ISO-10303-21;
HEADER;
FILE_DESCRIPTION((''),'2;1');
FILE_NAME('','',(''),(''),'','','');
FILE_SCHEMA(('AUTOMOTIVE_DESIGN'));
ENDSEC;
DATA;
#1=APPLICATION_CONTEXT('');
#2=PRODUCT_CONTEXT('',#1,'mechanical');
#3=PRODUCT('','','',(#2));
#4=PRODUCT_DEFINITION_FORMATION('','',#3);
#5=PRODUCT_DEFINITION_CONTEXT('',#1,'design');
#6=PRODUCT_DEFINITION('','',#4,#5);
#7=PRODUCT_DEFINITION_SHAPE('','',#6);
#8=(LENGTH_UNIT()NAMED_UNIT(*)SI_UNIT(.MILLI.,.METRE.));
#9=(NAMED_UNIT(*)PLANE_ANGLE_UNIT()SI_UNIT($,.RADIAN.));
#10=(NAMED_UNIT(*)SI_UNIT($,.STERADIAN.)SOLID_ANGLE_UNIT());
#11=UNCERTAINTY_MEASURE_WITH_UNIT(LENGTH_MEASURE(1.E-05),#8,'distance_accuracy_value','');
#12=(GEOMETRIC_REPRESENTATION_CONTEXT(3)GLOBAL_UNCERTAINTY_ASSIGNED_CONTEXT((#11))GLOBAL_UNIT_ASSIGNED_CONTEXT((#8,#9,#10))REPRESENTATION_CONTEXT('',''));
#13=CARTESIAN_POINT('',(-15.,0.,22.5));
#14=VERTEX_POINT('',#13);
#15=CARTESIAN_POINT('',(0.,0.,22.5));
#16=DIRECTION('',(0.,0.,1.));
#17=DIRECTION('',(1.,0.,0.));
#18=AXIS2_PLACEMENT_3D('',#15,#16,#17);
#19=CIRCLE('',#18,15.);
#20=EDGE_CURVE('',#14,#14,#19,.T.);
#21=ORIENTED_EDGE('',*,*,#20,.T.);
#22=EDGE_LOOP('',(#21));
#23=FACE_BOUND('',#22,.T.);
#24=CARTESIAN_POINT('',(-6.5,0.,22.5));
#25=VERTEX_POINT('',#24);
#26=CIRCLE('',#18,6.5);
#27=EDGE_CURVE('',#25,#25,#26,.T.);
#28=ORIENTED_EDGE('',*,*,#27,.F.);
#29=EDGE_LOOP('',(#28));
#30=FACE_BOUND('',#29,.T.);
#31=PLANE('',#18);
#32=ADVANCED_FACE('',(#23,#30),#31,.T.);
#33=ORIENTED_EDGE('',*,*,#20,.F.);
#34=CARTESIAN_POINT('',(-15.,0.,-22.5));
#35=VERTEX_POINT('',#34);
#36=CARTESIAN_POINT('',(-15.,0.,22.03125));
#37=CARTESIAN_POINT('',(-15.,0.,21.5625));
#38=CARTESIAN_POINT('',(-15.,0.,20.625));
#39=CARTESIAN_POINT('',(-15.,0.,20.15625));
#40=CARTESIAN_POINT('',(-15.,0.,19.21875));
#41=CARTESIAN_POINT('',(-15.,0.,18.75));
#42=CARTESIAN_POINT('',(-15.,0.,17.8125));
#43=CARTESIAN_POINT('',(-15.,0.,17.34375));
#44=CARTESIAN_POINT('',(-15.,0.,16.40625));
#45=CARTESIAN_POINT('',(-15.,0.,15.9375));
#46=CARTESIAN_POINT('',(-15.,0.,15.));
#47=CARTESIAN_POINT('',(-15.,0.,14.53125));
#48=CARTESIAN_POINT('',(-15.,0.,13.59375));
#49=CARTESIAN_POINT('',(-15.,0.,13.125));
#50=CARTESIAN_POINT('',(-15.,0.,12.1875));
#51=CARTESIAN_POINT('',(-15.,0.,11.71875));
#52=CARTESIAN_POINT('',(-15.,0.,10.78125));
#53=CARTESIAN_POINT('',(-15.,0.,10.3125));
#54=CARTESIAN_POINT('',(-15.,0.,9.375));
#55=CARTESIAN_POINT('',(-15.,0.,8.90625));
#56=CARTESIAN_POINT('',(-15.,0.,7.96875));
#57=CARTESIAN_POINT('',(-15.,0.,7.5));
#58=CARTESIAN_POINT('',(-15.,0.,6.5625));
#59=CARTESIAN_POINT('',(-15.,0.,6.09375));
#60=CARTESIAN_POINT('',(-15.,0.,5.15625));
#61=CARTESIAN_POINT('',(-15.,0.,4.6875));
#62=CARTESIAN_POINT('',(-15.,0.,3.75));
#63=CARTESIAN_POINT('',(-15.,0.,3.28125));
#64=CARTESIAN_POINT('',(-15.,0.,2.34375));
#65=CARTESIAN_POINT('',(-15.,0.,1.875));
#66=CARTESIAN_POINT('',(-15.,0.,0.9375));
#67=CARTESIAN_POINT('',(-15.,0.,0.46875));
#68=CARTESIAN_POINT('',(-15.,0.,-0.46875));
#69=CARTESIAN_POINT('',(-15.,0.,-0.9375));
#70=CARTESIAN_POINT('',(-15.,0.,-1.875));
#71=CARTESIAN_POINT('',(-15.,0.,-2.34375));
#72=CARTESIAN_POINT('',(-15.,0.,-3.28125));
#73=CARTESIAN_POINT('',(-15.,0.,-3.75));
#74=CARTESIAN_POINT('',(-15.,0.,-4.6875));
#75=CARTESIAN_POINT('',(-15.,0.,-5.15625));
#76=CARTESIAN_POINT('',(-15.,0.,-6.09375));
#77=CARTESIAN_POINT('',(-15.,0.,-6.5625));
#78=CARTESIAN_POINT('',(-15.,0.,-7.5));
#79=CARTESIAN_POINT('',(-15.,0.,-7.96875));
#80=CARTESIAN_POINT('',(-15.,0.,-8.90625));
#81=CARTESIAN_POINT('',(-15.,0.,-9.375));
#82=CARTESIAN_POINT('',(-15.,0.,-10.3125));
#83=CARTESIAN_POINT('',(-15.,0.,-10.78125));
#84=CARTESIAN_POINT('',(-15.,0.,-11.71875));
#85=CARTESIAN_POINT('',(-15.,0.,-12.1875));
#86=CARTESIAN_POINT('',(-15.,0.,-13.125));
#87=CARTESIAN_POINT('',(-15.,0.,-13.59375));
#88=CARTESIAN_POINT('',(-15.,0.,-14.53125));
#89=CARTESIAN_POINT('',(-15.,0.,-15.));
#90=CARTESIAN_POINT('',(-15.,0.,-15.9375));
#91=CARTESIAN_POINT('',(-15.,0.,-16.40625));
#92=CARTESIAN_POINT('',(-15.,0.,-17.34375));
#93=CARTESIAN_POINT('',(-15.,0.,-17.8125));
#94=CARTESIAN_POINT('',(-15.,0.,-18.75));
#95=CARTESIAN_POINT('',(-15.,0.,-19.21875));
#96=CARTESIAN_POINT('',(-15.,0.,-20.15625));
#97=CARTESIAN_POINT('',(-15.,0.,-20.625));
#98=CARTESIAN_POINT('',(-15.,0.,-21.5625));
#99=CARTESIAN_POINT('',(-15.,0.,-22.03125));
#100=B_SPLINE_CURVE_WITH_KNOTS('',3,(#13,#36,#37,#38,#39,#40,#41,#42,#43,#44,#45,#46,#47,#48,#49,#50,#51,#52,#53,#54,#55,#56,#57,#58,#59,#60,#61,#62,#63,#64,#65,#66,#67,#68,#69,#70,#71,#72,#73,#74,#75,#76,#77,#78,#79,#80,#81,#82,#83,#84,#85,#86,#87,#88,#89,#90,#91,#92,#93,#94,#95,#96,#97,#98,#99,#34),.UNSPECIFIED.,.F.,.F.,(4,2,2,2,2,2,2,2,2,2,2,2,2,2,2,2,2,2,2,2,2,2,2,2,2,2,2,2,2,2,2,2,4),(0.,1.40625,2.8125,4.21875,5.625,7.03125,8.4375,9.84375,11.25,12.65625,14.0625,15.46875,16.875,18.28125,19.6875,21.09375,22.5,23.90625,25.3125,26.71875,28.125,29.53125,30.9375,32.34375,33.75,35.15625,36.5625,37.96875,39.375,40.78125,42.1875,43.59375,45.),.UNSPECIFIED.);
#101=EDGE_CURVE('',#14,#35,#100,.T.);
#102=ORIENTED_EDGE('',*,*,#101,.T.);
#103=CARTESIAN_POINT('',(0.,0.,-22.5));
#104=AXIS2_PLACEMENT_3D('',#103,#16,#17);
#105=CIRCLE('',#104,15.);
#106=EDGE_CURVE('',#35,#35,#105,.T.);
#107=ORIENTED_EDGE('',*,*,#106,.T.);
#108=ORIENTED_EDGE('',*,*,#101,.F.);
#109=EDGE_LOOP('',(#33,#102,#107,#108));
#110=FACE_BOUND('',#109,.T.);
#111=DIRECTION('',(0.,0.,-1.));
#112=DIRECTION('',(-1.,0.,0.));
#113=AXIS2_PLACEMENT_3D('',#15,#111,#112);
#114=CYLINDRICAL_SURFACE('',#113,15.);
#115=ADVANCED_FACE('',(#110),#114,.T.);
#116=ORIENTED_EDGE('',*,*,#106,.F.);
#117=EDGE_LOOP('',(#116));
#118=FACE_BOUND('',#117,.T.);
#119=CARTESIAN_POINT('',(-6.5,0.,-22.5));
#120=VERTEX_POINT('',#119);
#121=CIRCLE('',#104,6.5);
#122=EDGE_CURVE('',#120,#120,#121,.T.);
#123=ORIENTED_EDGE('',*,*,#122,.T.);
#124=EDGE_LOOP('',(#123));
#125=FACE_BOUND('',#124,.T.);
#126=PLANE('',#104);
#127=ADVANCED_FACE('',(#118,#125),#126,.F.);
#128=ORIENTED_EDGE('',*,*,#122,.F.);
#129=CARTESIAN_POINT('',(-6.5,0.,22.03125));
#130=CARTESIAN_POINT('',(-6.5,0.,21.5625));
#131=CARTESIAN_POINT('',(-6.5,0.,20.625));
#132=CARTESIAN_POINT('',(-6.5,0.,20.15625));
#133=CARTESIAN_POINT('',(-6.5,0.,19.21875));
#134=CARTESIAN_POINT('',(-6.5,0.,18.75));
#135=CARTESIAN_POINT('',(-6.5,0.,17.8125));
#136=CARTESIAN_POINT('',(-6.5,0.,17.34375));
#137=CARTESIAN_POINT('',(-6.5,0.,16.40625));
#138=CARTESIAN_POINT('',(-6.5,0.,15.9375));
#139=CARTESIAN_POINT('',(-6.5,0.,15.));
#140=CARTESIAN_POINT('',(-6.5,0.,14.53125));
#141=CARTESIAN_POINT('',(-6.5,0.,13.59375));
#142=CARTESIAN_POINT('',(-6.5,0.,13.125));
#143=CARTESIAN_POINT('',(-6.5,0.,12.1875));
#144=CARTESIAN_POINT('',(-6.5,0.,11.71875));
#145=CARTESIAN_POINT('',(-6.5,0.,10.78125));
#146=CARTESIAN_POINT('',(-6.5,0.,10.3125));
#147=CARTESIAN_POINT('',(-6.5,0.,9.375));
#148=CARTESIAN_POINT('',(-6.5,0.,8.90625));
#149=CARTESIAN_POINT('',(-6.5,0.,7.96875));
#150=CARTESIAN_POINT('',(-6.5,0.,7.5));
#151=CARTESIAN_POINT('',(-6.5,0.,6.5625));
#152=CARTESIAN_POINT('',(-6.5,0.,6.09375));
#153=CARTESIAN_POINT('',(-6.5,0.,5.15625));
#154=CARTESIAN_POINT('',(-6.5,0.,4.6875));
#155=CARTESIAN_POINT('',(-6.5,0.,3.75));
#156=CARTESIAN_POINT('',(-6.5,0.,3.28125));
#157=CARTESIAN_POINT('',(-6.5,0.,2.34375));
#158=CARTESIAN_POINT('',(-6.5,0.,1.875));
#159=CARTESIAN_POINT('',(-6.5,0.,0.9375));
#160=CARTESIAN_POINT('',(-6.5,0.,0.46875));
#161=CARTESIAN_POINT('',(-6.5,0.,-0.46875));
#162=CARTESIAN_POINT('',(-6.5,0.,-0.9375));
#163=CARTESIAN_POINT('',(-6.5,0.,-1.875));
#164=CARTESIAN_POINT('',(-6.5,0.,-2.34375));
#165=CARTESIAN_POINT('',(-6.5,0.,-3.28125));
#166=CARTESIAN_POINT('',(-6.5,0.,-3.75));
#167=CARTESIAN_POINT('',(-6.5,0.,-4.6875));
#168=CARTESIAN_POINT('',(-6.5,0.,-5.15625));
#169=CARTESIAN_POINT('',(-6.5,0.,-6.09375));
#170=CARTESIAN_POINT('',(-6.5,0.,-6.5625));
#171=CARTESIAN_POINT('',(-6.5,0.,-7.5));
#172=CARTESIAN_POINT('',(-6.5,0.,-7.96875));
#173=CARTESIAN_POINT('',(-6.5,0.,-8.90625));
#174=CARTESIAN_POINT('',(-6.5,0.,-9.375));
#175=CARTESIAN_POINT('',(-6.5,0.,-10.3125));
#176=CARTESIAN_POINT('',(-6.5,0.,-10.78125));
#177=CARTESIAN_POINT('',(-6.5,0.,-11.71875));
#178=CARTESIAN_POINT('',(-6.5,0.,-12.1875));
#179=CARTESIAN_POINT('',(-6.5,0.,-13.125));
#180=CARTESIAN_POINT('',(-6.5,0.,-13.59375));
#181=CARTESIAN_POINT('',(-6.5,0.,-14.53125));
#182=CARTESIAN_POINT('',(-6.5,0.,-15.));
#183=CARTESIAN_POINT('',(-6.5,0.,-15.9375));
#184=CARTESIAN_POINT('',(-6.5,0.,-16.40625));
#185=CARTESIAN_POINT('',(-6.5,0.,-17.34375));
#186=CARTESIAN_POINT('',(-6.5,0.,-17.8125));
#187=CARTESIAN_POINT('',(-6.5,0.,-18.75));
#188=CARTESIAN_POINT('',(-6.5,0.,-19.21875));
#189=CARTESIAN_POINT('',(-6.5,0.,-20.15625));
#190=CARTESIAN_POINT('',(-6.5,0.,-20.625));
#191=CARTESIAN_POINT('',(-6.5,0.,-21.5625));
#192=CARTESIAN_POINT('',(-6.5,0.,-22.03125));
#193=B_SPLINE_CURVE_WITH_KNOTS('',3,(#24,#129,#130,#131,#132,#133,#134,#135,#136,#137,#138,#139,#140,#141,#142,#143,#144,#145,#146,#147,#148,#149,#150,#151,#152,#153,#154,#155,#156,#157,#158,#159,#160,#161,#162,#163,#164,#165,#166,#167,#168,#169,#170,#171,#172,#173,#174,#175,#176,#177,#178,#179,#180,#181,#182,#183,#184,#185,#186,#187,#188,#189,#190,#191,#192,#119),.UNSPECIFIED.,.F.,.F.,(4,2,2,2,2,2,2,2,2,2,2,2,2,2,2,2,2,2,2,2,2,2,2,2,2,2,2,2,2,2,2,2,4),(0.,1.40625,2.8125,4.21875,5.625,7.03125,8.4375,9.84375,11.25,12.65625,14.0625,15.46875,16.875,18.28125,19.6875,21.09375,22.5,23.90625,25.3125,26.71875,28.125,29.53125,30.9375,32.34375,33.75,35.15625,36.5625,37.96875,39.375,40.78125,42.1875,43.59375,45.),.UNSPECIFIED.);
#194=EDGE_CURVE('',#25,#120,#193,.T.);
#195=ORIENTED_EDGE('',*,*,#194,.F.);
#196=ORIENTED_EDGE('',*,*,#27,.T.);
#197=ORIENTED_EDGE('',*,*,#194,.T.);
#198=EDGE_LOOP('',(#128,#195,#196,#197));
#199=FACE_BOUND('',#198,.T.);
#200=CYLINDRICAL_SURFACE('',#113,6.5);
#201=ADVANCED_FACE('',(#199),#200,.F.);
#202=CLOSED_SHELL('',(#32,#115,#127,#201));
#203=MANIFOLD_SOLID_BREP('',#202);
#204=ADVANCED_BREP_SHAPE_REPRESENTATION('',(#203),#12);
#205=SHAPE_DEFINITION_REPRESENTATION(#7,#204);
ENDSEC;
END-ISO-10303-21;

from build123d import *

# Parameters (mm, degrees)
SKETCH_1_R      = 15
SKETCH_1_R_2    = 6.5
EXTRUDE_1_DEPTH = 22.5


with BuildPart() as part:
    # 草图1 → 拉伸1 (new, symmetric)
    with BuildSketch(Plane.XY):
        with Locations(Location((0, 0, 0), (0, 0, 180))):
            Circle(SKETCH_1_R)
        with Locations(Location((0, 0, 0), (0, 0, 180))):
            Circle(SKETCH_1_R_2, mode=Mode.SUBTRACT)
    extrude(amount=EXTRUDE_1_DEPTH, both=True)


solid = part.part
